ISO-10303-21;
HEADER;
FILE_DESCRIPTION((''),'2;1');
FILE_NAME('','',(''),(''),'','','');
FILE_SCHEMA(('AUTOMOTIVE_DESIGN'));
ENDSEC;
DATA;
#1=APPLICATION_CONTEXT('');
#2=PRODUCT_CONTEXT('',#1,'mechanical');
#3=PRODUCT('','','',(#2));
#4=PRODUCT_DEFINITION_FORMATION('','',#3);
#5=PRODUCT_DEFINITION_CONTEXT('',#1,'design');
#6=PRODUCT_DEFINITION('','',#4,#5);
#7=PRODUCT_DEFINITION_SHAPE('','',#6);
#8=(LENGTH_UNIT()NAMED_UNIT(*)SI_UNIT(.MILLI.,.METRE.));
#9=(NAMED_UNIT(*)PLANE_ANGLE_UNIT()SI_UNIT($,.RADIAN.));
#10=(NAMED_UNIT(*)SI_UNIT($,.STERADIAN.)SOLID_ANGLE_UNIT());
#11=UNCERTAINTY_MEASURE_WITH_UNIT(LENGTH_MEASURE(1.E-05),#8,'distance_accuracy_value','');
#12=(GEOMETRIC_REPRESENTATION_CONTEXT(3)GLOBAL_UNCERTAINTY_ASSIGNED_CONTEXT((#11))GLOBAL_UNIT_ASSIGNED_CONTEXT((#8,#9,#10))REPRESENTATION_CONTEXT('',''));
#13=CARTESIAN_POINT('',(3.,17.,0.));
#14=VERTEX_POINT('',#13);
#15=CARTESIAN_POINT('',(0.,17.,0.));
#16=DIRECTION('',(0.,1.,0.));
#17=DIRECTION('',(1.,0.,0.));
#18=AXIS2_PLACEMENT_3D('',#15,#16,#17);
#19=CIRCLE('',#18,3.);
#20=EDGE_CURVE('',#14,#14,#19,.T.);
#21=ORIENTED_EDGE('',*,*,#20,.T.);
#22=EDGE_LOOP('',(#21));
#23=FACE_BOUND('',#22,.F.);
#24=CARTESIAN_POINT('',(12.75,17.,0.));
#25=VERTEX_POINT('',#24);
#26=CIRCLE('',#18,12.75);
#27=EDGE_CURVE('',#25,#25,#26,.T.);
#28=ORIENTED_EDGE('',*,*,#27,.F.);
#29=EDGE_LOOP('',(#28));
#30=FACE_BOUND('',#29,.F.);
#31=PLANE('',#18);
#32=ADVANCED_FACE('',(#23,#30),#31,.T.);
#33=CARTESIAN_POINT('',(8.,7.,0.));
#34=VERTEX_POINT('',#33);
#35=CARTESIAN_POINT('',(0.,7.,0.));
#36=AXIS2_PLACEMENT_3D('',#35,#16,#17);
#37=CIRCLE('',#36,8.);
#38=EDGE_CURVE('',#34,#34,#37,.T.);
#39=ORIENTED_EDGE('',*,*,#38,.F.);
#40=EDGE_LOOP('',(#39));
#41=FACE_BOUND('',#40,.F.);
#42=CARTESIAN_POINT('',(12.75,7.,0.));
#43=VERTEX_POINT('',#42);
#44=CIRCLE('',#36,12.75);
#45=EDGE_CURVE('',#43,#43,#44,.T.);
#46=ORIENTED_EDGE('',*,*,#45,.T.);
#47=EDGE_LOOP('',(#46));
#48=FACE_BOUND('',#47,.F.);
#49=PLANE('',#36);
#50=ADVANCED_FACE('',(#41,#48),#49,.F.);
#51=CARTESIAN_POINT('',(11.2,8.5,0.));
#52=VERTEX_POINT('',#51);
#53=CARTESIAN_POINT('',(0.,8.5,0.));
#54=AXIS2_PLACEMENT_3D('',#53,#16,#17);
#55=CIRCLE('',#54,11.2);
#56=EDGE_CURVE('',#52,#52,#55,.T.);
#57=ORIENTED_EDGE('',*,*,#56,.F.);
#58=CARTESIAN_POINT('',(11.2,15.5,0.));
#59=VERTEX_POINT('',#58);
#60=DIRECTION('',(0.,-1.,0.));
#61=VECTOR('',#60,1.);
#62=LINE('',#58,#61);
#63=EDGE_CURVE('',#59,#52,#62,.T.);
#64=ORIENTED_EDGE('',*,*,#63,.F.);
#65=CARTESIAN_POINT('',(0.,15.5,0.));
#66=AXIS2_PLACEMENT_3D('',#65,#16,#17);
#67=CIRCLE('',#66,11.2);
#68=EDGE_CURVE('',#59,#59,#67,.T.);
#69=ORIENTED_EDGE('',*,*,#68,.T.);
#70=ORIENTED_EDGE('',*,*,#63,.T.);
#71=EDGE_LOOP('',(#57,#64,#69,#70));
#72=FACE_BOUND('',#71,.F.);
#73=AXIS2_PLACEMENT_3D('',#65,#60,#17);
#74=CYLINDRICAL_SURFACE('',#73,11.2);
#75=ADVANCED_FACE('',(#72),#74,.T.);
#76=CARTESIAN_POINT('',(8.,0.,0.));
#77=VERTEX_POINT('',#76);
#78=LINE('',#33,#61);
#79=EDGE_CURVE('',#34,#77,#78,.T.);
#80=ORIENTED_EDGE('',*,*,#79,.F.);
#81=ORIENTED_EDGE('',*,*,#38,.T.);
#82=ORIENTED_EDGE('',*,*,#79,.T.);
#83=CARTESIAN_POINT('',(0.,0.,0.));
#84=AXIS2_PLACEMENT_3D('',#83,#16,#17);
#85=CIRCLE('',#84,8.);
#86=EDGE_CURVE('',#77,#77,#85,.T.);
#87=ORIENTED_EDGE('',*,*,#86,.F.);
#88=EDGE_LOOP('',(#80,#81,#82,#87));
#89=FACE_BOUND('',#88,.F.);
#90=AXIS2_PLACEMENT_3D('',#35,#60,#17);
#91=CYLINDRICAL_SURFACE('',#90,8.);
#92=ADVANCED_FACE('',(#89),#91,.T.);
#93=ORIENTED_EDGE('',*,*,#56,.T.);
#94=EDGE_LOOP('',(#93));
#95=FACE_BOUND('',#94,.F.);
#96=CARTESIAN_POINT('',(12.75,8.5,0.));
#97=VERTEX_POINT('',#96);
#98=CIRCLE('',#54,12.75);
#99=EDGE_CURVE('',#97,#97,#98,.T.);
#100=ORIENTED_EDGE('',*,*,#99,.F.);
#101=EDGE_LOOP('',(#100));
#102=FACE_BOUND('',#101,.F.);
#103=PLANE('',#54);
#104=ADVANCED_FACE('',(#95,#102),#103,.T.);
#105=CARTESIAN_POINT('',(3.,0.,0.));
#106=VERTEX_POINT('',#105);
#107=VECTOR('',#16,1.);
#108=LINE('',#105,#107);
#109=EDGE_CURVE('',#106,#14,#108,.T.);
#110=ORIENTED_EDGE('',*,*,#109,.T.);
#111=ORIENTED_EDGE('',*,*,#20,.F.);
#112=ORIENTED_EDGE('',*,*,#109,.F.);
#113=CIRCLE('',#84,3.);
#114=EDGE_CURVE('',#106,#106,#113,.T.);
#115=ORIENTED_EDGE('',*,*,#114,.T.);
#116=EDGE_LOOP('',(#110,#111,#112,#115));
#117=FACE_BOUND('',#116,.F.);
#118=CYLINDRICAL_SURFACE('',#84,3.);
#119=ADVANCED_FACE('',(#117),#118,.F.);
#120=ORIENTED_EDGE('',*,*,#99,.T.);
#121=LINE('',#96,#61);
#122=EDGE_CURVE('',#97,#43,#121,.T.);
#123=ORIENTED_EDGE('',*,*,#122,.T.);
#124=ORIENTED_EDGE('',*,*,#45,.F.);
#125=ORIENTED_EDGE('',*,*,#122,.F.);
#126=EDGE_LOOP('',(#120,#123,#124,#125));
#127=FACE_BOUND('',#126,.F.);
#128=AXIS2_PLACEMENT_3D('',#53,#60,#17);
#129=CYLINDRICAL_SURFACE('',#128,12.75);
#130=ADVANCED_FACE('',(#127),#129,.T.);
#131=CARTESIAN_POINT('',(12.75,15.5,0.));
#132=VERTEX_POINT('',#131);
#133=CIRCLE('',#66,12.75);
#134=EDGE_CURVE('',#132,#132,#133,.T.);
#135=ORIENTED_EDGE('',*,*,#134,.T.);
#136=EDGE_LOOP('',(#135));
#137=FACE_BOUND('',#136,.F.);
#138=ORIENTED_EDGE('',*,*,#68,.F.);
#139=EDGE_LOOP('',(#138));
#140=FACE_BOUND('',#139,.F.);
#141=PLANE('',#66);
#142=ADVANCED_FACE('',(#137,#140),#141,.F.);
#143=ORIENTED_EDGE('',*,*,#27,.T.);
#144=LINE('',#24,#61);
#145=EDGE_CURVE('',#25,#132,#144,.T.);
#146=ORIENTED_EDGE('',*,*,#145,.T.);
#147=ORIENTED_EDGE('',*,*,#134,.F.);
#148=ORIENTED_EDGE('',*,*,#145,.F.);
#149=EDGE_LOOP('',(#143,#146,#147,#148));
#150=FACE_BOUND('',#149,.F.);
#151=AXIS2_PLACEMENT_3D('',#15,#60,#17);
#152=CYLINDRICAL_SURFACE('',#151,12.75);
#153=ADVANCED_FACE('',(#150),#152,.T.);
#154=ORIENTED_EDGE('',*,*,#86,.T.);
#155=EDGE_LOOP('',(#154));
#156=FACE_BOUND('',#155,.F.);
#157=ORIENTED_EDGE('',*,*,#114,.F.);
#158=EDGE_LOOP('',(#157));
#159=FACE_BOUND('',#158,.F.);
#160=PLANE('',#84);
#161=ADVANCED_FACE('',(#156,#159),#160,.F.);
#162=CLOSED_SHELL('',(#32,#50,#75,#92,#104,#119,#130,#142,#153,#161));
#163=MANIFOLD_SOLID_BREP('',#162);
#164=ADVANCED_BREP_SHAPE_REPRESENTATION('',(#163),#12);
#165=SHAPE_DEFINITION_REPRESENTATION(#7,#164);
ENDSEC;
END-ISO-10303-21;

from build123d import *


with BuildPart() as part:
    # Sketch → Revolution (revolve)
    with BuildSketch(Plane.XY):
        Polygon((3, 0), (3, 17), (12.75, 17), (12.75, 15.5), (11.2, 15.5), (11.2, 8.5), (12.75, 8.5), (12.75, 7), (8, 7), (8, 0), align=None)
    revolve(axis=Axis((0, 0, 0), (0, 1, 0)))


solid = part.part
